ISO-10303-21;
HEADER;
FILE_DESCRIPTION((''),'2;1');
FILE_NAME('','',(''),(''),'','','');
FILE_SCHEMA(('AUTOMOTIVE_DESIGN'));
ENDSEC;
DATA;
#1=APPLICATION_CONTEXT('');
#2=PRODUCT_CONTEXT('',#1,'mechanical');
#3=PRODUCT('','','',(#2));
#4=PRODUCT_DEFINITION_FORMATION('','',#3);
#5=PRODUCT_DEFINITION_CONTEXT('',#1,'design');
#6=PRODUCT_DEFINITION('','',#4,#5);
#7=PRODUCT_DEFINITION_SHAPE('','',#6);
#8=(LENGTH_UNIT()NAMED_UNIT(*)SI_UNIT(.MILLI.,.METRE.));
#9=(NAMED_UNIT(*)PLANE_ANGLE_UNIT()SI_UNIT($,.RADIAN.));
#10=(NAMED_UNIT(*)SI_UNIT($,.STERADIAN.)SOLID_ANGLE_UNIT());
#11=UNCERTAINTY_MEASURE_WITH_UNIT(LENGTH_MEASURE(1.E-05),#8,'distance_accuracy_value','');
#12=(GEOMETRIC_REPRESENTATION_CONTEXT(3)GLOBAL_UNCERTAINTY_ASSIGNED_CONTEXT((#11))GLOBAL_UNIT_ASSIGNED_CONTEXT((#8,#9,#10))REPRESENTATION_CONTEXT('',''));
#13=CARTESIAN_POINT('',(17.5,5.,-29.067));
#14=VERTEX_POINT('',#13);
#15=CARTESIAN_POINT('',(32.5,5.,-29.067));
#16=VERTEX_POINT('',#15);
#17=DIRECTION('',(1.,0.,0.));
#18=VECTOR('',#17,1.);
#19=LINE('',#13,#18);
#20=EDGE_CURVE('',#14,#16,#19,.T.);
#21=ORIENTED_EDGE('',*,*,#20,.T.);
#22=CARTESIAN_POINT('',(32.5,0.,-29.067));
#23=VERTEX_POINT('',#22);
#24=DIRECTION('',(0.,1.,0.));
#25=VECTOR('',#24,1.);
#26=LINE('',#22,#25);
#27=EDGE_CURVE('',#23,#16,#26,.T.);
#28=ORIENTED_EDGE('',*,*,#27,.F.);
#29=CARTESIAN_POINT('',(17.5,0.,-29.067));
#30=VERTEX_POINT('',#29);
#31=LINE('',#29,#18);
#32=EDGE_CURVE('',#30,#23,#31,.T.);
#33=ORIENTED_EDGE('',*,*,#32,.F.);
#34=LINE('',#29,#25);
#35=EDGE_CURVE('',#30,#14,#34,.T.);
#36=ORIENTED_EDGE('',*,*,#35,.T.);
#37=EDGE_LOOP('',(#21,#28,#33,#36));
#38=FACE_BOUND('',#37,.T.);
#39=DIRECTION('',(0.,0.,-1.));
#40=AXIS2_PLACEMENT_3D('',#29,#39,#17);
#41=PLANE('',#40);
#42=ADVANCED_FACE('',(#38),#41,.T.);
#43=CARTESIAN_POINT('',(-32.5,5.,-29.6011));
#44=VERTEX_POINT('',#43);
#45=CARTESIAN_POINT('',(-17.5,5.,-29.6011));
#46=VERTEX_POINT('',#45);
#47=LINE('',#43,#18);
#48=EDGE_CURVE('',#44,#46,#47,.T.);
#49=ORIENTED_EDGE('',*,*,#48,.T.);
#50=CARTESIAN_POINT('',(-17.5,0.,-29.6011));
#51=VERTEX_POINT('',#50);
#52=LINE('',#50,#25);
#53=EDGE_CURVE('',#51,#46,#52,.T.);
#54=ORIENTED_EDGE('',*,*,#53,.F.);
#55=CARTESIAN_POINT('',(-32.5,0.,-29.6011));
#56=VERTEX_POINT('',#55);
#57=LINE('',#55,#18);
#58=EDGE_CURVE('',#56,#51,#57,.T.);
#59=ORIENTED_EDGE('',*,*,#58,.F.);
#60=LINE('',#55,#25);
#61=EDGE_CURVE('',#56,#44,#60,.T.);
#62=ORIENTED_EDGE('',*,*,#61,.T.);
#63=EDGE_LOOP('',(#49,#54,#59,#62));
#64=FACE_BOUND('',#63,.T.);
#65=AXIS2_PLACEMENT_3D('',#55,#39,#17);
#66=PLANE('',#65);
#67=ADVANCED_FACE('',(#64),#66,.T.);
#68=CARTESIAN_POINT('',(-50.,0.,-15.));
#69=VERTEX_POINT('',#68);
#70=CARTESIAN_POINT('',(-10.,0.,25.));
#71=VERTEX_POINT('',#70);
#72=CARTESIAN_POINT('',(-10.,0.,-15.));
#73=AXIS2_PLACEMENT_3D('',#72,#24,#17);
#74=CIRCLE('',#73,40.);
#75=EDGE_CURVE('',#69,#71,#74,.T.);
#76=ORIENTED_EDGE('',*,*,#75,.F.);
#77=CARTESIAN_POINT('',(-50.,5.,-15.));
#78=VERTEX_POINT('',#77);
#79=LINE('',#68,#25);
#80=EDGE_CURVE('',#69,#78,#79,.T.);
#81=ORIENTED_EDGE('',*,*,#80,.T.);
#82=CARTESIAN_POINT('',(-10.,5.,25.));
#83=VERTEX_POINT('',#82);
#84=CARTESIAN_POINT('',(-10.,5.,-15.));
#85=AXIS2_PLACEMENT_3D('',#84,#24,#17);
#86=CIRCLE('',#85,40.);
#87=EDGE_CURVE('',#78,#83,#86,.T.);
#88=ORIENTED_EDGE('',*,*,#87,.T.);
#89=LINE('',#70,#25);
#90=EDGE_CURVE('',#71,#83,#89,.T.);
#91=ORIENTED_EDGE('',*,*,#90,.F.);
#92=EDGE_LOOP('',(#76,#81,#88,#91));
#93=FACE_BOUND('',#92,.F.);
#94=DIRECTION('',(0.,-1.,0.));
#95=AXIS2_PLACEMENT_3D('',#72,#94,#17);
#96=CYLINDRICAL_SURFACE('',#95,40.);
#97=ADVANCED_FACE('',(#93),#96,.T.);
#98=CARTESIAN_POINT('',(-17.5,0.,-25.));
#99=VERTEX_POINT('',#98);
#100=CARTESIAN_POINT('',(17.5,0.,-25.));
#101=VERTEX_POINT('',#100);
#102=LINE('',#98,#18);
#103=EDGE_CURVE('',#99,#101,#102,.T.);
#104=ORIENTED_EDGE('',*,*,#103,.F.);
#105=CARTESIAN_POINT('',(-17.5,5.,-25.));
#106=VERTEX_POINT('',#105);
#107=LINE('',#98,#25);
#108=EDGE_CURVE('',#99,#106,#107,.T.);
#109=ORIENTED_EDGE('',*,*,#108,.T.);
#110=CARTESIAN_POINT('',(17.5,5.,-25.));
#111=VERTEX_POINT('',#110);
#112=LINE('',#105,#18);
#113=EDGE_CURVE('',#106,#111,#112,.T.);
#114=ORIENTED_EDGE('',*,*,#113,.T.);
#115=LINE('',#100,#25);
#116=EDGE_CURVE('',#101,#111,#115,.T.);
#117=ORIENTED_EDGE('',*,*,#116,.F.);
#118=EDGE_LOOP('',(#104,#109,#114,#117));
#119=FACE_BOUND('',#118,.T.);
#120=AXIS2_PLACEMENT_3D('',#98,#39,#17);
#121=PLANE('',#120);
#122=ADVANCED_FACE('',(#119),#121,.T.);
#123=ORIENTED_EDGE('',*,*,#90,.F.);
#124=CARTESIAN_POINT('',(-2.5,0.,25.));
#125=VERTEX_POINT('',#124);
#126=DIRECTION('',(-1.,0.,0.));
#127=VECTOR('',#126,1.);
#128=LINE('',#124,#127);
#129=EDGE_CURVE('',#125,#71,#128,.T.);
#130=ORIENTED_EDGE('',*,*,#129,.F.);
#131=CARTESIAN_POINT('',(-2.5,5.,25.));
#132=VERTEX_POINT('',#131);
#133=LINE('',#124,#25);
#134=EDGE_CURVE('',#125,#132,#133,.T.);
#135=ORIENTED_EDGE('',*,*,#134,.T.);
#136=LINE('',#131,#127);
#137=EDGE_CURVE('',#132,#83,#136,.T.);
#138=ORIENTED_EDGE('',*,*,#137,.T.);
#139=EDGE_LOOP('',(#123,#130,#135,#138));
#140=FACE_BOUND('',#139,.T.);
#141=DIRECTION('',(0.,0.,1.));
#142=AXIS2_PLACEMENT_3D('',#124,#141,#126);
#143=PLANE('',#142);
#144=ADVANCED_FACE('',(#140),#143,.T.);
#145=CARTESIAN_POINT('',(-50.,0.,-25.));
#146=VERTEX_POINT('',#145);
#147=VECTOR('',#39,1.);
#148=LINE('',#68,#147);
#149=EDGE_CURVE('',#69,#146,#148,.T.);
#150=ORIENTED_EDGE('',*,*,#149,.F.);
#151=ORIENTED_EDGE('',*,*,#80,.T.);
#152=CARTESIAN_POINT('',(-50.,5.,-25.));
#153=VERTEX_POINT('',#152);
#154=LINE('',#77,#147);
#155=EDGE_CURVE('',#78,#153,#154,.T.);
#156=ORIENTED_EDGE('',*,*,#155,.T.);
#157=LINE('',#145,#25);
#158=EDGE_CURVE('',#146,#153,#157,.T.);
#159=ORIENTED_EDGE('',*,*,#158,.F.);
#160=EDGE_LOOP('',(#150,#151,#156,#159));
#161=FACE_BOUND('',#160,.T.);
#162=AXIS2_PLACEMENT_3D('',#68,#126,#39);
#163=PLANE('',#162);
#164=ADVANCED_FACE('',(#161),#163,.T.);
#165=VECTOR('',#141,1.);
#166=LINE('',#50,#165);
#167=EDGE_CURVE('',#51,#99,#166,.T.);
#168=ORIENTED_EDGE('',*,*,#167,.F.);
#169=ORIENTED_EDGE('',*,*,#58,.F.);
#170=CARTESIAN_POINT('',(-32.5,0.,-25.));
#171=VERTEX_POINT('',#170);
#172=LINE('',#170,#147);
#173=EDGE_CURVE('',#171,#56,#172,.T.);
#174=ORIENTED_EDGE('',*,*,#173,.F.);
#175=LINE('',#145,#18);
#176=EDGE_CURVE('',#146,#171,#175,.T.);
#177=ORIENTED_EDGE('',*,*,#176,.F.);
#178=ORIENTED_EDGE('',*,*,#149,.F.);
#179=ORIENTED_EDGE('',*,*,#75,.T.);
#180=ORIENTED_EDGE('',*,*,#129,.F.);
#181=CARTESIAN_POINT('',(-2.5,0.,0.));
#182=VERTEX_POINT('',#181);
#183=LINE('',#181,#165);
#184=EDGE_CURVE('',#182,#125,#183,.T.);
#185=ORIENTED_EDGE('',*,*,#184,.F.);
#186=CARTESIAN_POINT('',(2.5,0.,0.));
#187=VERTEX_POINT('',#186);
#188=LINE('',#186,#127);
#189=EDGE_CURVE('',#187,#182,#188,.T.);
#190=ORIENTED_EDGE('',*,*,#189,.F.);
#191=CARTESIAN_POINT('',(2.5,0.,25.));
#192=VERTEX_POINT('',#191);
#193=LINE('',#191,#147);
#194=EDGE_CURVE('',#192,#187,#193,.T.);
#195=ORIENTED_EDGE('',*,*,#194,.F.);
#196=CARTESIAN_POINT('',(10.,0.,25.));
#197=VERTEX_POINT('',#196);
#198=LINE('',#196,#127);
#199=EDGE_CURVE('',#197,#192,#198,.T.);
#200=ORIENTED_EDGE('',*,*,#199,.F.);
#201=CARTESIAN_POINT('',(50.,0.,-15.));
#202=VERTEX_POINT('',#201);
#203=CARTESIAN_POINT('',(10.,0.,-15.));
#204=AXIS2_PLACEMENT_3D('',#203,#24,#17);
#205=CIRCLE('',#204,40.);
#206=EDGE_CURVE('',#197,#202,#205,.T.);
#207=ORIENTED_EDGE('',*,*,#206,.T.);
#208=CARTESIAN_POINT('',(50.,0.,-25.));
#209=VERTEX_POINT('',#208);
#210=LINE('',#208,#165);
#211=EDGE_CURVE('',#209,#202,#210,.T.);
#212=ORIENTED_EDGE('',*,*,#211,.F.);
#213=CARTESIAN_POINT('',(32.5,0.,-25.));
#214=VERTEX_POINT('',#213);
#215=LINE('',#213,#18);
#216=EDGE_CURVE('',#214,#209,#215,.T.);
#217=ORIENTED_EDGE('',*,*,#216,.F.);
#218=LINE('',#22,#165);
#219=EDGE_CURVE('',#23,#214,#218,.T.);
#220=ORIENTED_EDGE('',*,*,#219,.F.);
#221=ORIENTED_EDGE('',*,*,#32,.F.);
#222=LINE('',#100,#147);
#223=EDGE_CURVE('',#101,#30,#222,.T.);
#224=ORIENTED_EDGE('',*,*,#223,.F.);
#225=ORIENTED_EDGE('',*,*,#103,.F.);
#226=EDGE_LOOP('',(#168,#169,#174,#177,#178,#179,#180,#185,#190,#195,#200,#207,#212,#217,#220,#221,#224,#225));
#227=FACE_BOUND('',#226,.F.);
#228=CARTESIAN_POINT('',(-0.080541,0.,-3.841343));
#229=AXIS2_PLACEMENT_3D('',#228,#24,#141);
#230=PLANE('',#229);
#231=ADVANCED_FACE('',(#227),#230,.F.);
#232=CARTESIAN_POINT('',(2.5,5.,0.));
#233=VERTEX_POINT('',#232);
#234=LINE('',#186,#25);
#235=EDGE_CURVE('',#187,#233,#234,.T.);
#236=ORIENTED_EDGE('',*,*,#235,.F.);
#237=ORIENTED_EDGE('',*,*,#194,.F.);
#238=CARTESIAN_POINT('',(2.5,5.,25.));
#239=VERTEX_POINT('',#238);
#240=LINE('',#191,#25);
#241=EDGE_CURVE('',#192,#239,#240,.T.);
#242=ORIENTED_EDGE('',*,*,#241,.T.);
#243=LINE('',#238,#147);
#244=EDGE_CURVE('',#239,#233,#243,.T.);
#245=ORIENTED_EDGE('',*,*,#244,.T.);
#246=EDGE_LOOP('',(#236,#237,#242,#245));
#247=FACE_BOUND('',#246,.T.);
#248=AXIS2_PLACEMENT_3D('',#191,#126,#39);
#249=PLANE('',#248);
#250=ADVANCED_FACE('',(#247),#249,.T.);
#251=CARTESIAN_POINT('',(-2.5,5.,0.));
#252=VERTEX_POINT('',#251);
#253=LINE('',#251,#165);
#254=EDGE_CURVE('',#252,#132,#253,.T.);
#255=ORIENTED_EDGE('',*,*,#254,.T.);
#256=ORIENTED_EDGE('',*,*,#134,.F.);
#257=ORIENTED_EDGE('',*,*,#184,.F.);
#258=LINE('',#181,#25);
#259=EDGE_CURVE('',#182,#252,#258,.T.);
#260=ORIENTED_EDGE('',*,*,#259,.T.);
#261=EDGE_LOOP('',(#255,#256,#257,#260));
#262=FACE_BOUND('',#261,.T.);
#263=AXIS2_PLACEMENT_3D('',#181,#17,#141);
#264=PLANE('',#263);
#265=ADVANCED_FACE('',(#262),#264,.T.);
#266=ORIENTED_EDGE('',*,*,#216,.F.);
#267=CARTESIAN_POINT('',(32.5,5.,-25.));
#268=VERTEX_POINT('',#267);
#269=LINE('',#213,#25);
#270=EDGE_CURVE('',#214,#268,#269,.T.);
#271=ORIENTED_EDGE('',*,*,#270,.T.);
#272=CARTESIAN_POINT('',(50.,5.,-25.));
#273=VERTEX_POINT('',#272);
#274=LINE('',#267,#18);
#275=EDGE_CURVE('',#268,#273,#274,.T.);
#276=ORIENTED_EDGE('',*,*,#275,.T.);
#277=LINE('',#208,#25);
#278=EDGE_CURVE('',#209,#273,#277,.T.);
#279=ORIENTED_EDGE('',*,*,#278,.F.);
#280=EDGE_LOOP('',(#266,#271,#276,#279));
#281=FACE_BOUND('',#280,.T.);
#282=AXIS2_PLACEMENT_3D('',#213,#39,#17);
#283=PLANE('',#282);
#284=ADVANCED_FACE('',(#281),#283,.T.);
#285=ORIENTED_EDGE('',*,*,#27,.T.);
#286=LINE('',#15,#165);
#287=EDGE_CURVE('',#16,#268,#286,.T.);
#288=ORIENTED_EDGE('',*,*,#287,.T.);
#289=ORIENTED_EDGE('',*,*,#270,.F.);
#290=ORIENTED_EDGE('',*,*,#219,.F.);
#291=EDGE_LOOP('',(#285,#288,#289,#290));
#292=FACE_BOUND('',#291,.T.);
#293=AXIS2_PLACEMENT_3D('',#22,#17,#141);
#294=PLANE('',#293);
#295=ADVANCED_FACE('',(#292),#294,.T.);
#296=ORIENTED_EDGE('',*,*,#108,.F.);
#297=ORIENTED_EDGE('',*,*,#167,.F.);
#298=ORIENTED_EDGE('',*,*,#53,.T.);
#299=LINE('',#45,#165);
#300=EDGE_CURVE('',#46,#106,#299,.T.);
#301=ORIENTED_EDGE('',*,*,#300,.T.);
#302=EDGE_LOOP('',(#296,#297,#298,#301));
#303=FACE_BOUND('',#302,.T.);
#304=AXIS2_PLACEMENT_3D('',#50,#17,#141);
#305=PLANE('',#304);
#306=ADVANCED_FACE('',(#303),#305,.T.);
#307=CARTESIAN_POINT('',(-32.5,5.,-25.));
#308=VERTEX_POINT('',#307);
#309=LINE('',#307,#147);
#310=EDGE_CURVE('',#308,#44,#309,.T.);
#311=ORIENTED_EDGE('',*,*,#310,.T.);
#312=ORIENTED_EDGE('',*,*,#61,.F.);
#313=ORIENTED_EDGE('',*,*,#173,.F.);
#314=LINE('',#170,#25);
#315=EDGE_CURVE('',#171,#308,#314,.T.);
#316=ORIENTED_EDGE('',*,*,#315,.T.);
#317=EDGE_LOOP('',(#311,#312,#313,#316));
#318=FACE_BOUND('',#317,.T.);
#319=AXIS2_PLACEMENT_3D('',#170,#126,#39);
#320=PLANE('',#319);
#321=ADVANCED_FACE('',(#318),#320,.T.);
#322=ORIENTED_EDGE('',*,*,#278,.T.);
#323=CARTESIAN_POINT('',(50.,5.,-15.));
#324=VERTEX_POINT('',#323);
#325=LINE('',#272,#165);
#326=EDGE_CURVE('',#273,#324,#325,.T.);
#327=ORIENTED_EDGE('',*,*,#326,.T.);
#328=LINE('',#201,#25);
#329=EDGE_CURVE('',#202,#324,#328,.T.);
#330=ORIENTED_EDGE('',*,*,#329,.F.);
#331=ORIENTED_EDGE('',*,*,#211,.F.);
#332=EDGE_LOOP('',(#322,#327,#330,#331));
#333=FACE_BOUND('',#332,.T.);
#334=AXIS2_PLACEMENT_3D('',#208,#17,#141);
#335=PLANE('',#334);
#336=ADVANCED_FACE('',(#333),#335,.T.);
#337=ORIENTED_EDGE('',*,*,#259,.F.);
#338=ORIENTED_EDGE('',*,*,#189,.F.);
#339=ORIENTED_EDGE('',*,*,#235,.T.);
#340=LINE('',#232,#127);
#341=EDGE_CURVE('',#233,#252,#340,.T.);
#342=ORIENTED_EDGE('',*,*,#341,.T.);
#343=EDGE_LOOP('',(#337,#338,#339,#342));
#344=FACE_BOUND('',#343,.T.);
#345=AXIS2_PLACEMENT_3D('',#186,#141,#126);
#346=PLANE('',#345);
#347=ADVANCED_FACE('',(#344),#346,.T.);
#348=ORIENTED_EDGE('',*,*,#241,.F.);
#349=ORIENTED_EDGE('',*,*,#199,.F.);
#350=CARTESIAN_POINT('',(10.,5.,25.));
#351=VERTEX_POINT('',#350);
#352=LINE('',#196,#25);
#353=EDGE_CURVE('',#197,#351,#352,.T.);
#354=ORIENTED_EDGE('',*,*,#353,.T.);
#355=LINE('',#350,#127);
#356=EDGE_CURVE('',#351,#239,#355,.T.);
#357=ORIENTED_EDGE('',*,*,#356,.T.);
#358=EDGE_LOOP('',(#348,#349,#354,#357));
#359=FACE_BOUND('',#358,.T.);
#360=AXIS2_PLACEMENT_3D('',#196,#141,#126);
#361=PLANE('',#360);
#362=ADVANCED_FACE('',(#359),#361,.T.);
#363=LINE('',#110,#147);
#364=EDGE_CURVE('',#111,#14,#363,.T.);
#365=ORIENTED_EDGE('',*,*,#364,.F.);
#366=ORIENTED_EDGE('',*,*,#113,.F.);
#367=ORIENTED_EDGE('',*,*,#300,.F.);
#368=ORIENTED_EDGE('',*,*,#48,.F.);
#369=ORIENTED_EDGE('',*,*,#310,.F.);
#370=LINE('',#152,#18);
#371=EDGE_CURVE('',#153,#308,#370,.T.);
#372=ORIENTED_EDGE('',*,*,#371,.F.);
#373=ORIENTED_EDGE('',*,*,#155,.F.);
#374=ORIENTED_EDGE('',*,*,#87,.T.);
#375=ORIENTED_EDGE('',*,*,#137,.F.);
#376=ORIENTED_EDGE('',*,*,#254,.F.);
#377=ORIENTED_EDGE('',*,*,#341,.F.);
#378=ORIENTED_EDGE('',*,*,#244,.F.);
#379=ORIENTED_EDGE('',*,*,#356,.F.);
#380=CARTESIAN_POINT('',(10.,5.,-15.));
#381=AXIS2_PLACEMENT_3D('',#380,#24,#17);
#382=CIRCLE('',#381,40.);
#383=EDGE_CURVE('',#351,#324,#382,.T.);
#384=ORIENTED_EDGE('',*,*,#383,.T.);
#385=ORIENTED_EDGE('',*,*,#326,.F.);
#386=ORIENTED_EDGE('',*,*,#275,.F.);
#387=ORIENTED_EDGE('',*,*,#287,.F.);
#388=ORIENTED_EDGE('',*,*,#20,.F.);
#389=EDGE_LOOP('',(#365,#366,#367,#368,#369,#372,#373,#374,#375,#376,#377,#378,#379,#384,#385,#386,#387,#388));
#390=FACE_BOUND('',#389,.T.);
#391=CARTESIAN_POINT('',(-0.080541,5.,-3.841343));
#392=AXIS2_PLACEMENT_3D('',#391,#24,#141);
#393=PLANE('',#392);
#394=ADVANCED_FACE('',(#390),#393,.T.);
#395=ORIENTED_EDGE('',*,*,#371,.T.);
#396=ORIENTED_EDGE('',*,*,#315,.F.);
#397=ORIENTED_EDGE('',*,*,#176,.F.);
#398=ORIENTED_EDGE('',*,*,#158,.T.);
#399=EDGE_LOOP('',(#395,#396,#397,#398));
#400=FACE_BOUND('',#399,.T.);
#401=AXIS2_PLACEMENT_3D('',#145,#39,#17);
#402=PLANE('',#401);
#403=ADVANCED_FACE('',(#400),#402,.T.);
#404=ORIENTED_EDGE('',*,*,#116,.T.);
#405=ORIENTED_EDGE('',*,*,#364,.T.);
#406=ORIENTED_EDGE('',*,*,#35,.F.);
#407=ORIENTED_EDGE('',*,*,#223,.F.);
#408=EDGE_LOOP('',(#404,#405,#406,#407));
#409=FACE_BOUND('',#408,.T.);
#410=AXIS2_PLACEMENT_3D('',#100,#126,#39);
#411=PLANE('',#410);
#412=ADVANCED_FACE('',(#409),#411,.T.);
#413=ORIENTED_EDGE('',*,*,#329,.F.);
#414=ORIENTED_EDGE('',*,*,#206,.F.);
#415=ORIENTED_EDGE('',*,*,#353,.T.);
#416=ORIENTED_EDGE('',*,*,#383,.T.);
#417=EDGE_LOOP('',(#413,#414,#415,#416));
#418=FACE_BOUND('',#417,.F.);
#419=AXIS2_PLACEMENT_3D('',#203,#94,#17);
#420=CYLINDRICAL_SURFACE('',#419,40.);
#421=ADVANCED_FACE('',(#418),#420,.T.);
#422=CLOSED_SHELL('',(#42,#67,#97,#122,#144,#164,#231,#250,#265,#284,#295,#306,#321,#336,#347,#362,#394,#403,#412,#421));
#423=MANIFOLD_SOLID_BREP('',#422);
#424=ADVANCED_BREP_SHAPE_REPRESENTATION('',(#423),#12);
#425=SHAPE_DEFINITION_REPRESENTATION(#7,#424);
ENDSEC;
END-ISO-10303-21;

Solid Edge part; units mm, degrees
sketch "Sketch1" plane through (0, 0, 0) normal (0, -1, 0) x (1, 0, 0)
  arc A0 (-50, -15) -> (-10, 25) centre (-10, -15) cw
  line L0 (-2.5, 25) -> (-10, 25)
  line L1 (-2.5, 0) -> (-2.5, 25)
  line L2 (2.5, 0) -> (-2.5, 0)
  line L3 (2.5, 25) -> (2.5, 0)
  line L4 (10, 25) -> (2.5, 25)
  arc A1 (10, 25) -> (50, -15) centre (10, -15) cw
  line L5 (50, -25) -> (50, -15)
  line L6 (32.5, -25) -> (50, -25)
  line L7 (32.5, -29.067) -> (32.5, -25)
  line L8 (17.5, -29.067) -> (32.5, -29.067)
  line L9 (17.5, -25) -> (17.5, -29.067)
  line L10 (-17.5, -25) -> (17.5, -25)
  line L11 (-17.5, -29.6011) -> (-17.5, -25)
  line L12 (-32.5, -29.6011) -> (-17.5, -29.6011)
  line L13 (-32.5, -25) -> (-32.5, -29.6011)
  line L14 (-50, -25) -> (-32.5, -25)
  line L15 (-50, -15) -> (-50, -25)
extrude "Protrusion1" add sketch "Sketch1" against normal blind 5
